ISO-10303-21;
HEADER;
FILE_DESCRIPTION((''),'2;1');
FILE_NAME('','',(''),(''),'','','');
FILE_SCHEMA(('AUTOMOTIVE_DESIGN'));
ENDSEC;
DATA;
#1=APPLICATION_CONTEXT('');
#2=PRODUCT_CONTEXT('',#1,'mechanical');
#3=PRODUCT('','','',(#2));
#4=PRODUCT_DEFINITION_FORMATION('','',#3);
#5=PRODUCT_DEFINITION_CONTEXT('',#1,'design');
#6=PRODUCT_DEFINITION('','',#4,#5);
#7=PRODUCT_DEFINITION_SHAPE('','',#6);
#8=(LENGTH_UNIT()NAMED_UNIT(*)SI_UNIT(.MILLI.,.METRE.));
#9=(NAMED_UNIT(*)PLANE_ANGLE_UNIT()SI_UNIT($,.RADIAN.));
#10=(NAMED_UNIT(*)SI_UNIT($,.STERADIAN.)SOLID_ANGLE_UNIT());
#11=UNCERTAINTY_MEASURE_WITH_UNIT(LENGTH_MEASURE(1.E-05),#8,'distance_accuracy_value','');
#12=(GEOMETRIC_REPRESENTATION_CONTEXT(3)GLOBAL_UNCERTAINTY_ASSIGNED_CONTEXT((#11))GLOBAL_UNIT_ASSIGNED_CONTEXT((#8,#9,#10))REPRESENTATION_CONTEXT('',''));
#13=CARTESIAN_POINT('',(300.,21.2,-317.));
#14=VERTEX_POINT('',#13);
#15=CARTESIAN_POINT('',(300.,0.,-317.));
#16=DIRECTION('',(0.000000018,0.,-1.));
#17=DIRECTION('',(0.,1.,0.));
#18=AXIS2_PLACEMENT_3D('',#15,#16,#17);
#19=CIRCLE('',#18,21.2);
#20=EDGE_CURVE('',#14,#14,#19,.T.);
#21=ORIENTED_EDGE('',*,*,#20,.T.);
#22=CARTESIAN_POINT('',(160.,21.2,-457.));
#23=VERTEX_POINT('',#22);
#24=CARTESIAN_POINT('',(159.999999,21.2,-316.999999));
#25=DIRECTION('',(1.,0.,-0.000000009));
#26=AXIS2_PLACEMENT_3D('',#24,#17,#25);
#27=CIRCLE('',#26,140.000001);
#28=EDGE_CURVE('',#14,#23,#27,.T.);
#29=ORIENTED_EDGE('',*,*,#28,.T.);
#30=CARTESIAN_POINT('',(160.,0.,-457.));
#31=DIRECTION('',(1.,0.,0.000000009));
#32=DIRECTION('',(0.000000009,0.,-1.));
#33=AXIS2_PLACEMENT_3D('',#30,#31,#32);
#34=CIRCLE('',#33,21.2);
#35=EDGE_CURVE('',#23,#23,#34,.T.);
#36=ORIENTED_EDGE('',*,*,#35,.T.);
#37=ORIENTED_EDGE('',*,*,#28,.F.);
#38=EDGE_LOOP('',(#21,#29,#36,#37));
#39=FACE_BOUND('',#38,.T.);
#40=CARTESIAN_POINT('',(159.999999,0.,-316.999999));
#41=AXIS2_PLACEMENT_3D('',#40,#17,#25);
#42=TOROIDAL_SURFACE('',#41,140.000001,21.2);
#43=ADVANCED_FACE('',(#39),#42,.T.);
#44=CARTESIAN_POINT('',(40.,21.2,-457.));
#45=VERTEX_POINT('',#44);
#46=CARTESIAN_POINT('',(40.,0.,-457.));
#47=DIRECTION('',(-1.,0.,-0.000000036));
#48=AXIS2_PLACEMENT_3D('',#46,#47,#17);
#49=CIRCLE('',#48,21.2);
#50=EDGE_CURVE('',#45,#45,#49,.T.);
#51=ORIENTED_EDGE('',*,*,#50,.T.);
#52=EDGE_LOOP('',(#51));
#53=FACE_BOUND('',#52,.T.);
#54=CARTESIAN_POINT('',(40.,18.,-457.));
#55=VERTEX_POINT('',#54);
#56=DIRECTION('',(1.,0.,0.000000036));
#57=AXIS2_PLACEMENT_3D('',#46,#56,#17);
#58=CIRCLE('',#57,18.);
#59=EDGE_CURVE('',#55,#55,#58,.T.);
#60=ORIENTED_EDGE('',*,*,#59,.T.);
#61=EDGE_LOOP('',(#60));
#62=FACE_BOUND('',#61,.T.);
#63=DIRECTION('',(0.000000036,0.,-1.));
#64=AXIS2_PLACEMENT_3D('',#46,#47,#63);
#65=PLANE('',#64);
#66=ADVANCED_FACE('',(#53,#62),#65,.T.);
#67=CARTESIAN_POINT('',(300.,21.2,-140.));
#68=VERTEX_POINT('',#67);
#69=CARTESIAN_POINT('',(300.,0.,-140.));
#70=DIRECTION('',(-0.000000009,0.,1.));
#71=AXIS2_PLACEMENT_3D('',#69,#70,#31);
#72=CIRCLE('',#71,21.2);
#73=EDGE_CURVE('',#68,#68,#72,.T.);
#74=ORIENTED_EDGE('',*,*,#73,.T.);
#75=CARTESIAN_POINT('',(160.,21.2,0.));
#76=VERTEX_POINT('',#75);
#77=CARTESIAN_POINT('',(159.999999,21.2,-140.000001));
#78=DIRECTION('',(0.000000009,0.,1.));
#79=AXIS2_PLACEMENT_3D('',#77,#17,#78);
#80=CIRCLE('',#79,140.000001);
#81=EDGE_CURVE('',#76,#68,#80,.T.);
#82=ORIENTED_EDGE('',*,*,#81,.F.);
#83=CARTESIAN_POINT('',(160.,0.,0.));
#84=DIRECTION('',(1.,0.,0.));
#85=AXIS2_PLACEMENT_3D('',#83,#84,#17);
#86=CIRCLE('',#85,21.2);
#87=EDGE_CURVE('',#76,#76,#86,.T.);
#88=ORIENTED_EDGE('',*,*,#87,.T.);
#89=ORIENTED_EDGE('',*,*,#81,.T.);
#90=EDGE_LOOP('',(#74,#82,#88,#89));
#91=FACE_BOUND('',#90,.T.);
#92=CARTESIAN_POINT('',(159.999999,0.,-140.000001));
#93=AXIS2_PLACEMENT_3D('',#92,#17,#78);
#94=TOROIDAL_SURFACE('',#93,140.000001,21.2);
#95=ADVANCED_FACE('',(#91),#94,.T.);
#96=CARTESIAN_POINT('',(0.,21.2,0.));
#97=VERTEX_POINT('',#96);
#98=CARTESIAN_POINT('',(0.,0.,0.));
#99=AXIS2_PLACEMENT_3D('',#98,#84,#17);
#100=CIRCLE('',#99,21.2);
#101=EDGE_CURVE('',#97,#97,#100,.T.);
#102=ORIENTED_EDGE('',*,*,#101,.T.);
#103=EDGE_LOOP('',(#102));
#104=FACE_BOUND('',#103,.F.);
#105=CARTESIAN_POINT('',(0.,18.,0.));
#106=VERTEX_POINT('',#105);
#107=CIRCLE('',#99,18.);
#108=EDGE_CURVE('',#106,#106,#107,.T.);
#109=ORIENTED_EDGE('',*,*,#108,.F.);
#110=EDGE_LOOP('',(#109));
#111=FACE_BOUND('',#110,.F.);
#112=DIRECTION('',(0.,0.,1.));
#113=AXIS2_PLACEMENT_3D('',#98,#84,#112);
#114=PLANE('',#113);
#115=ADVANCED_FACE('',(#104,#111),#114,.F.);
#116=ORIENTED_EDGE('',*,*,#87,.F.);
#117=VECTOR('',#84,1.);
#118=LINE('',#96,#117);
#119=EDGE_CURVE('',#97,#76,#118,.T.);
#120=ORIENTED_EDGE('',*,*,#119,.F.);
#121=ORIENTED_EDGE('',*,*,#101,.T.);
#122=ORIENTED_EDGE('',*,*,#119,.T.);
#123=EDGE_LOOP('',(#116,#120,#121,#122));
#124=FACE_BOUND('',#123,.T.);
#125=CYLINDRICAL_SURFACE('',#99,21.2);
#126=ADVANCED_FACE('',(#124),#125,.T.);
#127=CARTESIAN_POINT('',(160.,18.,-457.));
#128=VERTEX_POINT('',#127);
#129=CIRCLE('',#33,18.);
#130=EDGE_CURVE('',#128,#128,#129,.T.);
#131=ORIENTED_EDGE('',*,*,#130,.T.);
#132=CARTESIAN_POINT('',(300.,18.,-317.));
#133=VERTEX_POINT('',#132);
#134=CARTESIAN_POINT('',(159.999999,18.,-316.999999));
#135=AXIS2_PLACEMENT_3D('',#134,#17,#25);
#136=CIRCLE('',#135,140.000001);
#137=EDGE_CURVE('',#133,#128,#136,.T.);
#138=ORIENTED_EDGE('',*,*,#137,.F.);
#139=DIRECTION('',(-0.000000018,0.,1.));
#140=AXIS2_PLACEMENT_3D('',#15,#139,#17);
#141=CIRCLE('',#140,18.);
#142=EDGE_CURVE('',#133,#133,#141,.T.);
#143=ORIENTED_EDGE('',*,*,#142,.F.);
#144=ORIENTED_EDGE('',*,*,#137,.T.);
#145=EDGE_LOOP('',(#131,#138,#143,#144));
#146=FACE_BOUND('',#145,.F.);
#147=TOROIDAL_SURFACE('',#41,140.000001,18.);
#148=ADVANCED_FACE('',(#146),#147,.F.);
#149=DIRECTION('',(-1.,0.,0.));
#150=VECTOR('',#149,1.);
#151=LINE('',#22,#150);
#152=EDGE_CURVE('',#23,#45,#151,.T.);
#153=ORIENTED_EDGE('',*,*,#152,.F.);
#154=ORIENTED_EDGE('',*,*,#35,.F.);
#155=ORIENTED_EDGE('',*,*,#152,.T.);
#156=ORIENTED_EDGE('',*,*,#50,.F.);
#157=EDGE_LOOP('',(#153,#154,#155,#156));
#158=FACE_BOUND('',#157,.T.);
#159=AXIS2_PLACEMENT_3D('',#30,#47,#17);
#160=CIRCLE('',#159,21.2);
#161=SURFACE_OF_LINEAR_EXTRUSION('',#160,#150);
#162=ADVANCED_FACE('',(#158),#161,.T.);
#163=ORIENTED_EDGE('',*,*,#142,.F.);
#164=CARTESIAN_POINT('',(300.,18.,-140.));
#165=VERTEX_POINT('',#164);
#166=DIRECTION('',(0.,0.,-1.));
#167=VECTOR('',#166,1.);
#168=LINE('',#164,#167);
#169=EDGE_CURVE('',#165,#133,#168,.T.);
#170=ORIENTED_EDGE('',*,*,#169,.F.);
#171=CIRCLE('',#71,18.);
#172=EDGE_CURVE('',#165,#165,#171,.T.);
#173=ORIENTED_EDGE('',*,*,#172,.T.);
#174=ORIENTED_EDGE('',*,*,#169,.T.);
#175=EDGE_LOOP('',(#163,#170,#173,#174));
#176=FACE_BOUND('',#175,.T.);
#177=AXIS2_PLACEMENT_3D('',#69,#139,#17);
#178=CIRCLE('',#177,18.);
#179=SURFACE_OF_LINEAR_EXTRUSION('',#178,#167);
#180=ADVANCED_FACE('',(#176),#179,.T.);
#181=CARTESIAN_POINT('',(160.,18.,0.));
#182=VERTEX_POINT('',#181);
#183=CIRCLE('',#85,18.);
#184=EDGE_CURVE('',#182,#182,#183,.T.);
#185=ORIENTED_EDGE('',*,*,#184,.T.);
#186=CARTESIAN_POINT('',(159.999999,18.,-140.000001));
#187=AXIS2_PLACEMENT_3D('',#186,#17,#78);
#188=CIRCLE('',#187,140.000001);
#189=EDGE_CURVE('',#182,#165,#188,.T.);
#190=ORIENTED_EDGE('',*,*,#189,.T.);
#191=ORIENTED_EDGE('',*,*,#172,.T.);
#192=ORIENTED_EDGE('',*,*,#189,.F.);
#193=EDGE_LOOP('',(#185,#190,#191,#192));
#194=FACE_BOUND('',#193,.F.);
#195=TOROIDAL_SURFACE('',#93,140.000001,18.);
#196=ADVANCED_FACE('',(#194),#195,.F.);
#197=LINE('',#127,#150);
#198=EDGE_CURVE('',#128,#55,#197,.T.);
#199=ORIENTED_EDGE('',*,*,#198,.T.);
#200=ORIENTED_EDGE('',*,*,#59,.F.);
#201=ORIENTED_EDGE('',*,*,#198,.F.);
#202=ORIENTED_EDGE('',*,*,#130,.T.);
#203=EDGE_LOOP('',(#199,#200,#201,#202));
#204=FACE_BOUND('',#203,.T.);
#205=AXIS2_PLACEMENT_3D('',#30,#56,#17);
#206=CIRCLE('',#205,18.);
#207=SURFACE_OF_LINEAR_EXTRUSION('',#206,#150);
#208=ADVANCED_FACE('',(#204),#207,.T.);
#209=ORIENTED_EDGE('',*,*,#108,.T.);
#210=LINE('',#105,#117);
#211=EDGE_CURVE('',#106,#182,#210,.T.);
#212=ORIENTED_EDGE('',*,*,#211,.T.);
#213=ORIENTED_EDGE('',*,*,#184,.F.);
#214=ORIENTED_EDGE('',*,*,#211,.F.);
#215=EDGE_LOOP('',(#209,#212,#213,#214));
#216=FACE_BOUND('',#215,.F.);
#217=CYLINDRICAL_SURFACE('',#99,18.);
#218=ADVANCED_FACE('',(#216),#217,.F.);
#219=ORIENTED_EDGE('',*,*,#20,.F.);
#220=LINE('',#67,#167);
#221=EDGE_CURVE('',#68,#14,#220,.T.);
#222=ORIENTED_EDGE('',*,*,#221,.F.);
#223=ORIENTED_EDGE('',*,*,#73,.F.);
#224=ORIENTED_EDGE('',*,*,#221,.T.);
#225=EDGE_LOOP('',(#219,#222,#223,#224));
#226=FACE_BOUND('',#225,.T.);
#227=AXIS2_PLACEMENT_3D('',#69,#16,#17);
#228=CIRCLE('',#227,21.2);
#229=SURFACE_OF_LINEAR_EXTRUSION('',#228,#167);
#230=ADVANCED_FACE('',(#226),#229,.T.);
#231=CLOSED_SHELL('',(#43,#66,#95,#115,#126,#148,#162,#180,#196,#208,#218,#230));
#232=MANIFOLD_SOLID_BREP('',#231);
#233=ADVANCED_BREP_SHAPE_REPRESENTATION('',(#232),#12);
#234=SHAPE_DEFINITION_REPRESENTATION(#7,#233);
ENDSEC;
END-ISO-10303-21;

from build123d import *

# Parameters (mm, degrees)
F1_R   = 21.2
F1_R_2 = 18


with BuildPart() as f2:
    # F2: sweep along a path in F0
    with BuildLine(Plane.XZ) as f2_path:
        Line((0, 0), (160, 0))
        ThreePointArc((160, 0), (258.994949, -41.005051), (300, -140))
        Line((300, -140), (300, -317))
        ThreePointArc((300, -317), (258.994949, -415.994949), (160, -457))
        Line((160, -457), (40, -457))
    # F1 (on Right) → F2 (sweep)
    with BuildSketch(Plane.YZ):
        Circle(F1_R)
        Circle(F1_R_2, mode=Mode.SUBTRACT)
    sweep(path=f2_path.line)


solid = f2.part
